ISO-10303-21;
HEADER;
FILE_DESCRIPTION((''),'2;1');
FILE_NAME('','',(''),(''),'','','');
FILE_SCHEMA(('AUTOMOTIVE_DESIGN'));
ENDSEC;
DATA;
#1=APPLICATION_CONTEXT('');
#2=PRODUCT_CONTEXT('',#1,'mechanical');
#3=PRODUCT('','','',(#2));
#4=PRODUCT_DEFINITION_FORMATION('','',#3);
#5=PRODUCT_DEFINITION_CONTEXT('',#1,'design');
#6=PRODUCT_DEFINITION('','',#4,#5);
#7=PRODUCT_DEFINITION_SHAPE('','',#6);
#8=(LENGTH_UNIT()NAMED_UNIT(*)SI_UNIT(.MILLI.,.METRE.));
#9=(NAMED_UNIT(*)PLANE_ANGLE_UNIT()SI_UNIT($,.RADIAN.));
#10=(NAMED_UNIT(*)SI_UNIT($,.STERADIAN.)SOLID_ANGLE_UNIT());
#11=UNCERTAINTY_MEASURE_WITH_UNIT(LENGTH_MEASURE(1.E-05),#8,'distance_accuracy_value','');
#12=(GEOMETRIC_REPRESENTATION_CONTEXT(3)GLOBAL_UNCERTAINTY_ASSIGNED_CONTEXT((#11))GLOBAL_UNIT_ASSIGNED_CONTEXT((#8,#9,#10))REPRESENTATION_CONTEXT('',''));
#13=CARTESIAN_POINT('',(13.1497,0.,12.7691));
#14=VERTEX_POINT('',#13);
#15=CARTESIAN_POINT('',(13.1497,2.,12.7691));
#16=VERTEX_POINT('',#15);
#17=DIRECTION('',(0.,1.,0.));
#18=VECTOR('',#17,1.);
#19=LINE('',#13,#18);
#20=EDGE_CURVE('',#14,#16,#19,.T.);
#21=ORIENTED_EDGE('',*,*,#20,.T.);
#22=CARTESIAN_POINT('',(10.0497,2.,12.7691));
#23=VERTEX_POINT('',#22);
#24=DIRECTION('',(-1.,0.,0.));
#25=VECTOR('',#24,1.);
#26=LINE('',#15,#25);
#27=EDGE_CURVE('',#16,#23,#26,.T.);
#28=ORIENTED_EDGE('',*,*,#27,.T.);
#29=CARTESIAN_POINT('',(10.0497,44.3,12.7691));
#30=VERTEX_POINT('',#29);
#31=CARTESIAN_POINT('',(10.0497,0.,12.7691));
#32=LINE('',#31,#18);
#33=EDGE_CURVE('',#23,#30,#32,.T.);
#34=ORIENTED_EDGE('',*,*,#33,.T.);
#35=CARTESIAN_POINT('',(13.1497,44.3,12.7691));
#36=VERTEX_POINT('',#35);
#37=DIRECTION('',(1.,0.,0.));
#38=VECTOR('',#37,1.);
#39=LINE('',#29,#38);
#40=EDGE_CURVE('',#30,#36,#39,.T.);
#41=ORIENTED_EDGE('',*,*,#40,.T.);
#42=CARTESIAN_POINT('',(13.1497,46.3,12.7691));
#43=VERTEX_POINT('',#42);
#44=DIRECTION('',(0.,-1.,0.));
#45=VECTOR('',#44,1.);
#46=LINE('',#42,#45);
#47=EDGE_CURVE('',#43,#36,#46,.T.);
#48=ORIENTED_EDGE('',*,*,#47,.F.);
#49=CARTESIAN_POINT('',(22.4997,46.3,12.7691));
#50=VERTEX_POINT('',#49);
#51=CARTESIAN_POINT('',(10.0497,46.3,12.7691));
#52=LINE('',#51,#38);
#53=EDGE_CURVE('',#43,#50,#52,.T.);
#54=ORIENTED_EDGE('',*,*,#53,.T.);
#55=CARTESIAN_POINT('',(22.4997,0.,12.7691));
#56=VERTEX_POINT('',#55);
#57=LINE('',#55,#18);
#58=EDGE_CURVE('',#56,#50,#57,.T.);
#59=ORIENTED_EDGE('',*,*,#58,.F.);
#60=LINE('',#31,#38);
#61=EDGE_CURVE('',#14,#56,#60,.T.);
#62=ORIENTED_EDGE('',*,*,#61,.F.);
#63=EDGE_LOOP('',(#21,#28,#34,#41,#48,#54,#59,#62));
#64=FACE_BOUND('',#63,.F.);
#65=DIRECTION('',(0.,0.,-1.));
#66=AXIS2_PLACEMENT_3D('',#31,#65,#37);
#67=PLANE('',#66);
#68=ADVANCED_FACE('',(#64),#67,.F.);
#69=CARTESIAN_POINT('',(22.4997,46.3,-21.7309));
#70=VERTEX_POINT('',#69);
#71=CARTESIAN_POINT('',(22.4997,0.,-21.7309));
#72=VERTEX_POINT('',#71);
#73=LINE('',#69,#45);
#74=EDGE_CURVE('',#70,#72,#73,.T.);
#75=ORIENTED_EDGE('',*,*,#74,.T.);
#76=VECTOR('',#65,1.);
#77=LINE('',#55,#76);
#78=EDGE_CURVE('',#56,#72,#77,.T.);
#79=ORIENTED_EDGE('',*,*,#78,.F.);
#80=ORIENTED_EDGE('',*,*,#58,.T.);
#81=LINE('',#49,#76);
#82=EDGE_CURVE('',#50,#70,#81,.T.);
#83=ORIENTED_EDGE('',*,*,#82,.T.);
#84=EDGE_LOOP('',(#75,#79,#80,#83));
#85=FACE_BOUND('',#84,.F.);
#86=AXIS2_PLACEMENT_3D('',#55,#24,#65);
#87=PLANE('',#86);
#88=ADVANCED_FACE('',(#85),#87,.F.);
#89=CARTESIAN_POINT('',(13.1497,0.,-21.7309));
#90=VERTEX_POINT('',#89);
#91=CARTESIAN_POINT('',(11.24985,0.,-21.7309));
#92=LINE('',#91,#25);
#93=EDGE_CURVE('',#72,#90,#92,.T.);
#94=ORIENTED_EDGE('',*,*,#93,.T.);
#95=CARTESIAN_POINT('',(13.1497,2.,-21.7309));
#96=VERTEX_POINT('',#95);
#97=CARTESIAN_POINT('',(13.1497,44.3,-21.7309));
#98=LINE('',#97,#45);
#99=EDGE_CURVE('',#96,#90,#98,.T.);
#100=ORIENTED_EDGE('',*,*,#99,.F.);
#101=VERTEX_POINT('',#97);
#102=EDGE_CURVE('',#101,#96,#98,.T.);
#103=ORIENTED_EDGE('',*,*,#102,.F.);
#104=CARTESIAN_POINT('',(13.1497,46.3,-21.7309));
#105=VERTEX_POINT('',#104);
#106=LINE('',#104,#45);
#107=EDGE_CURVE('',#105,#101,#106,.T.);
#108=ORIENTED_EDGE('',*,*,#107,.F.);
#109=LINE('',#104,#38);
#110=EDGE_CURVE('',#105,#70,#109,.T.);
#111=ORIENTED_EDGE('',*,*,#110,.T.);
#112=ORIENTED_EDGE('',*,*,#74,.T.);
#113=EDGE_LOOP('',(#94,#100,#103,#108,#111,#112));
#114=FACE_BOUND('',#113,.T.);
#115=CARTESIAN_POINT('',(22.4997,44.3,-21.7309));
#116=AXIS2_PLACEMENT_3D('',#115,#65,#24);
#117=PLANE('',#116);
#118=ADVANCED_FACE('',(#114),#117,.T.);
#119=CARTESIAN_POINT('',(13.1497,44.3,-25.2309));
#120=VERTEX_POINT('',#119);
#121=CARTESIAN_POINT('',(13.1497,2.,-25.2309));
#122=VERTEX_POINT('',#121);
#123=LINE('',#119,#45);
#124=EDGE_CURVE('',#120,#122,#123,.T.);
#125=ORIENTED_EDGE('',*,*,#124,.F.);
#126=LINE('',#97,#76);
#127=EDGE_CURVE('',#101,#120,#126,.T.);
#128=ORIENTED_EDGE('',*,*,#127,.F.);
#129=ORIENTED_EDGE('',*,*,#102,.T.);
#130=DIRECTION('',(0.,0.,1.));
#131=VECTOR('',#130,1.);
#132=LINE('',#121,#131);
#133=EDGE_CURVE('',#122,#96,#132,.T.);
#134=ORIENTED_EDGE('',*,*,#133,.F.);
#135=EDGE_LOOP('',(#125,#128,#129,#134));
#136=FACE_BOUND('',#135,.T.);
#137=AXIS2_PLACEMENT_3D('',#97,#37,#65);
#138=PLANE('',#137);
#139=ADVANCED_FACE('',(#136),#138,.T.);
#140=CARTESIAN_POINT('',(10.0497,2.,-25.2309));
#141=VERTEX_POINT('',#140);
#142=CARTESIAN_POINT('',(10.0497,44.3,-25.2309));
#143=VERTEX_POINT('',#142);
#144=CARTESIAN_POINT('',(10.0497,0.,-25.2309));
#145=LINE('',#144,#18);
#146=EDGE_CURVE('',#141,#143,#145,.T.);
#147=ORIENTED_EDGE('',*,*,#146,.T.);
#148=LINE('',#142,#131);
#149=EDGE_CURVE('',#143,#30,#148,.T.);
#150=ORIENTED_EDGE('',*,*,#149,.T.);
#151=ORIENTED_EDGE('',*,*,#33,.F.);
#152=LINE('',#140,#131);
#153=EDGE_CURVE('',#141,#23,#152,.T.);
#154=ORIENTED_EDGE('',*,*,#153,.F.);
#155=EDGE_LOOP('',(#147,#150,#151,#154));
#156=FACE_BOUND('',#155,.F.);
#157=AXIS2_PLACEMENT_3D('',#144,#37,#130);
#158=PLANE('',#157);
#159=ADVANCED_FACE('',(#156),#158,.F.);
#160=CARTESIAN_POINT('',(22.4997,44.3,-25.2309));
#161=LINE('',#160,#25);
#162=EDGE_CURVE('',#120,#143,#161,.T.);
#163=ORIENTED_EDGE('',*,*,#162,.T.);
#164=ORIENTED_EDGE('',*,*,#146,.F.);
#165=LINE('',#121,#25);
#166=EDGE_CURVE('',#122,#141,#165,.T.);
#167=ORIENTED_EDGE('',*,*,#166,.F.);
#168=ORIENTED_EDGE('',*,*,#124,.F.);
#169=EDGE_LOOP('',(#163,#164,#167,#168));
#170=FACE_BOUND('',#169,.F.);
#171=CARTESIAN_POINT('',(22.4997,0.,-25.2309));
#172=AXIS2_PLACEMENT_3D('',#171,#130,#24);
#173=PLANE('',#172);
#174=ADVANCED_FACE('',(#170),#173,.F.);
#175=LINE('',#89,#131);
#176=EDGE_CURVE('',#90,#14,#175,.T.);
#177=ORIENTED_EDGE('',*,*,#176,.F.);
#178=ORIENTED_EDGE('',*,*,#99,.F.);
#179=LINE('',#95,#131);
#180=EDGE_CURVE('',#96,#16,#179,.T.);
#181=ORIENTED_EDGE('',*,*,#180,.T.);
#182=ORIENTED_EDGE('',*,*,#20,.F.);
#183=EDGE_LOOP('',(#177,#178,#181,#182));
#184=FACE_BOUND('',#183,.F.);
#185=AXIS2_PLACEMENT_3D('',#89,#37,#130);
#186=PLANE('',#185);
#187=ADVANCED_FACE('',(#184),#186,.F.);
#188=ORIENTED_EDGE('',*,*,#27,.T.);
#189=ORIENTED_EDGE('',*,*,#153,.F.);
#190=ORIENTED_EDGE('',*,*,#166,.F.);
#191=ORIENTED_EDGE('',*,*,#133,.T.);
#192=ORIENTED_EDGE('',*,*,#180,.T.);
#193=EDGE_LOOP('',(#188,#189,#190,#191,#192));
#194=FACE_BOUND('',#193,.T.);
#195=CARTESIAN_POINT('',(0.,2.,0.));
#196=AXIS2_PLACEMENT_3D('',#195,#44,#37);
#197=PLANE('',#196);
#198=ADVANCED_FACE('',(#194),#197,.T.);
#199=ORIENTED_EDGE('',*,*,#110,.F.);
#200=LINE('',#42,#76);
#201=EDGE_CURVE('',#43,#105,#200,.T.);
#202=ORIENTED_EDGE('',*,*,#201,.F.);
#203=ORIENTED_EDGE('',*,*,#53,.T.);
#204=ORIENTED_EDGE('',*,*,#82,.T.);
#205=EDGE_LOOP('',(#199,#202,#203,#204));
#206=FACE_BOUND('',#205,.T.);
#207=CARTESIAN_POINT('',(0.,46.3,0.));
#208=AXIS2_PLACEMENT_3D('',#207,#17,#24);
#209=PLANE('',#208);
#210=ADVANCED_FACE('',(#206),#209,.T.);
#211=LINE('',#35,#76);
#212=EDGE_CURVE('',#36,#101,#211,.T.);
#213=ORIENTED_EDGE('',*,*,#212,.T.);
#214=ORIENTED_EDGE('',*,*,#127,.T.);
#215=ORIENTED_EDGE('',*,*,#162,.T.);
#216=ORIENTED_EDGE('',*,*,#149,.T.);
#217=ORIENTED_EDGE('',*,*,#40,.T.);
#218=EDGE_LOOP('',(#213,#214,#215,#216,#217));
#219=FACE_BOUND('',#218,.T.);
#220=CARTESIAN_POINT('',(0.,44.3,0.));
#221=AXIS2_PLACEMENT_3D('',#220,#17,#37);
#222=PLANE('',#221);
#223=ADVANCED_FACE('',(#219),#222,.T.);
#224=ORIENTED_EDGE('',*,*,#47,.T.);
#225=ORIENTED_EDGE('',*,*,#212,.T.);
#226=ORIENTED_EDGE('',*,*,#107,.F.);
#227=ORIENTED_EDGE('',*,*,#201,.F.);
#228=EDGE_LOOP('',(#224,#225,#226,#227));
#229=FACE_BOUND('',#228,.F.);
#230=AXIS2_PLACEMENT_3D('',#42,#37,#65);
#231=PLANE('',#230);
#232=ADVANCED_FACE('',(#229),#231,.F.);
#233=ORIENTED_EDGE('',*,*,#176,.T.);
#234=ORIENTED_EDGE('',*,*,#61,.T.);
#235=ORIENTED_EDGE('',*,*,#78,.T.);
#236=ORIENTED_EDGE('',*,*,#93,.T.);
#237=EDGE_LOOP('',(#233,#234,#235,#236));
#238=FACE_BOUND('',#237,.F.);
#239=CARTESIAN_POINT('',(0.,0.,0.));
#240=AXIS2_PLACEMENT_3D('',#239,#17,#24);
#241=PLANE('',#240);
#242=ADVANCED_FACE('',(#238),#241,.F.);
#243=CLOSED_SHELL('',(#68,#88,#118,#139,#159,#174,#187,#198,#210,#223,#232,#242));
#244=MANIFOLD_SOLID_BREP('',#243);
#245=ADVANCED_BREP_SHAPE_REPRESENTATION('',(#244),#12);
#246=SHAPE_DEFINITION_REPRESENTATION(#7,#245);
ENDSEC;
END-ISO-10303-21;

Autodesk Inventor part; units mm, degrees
ref_plane "YZ Plane" through (0, 0, 0) normal (1, 0, 0) x (0, 1, 0)
ref_plane "XZ Plane" through (0, 0, 0) normal (0, 1, 0) x (-1, 0, 0)
ref_plane "XY Plane" through (0, 0, 0) normal (0, 0, 1) x (1, 0, 0)
sketch "Sketch1" plane through (0, 0, 0) normal (0, 1, 0) x (-1, 0, 0)
  line L0 (-10.0497, 12.7691) -> (-22.4997, 12.7691)
  line L1 (-22.4997, 12.7691) -> (-22.4997, -25.2309)
  line L2 (-22.4997, -25.2309) -> (-10.0497, -25.2309)
  line L3 (-10.0497, -25.2309) -> (-10.0497, 12.7691)
  dimension "d0" = 12.45
  dimension "d1" = 38
extrude "Extrusion1" add sketch "Sketch1" along normal blind 46.3
sketch "Sketch2" plane through (0, 46.3, 0) normal (0, 1, 0) x (1, 0, 0)
  line L0 (13.1497, -12.7691) -> (13.1497, 21.7309)
  line L1 (13.1497, 21.7309) -> (22.4997, 21.7309)
  line L2 (22.4997, 21.7309) -> (22.4997, 25.2309)
  line L3 (22.4997, 25.2309) -> (10.0497, 25.2309) projected
  line L4 (10.0497, 25.2309) -> (10.0497, -12.7691) projected
  line L5 (10.0497, 25.2309) -> (10.0497, -12.7691)
  line L6 (10.0497, -12.7691) -> (13.1497, -12.7691)
  line L7 (13.1497, 21.7309) -> (22.4997, 21.7309)
  point P0 (0, 0)
  point P1 (22.4997, -12.7691)
  point P2 (17.8247, -12.7691)
  point P3 (17.8247, 21.7309)
extrude "Extrusion2" cut sketch "Sketch2" against normal blind 2
sketch "Sketch3" plane through (0, 44.3, 0) normal (0, 1, 0) x (1, 0, 0)
  line L0 (22.4997, -12.7691) -> (22.4997, 25.2309) projected
  line L1 (13.1497, 21.7309) -> (13.1497, -12.7691) projected
  line L2 (22.4997, 21.7309) -> (13.1497, 21.7309)
  line L3 (13.1497, 21.7309) -> (13.1497, 25.2309)
  line L4 (22.4997, 25.2309) -> (10.0497, 25.2309) projected
  line L5 (22.4997, 25.2309) -> (22.4997, 21.7309)
  point P0 (0, 0)
extrude "Extrusion3" cut sketch "Sketch3" against normal blind 44.8625
sketch "Sketch5" plane through (0, 0, 0) normal (0, -1, 0) x (1, 0, 0)
  line L0 (10.0497, -25.2309) -> (10.0497, 12.7691) projected
  line L1 (13.1497, -25.2309) -> (10.0497, -25.2309) projected
  line L2 (10.0497, -25.2309) -> (13.1497, -25.2309)
  line L3 (13.1497, -21.7309) -> (13.1497, 12.7691) projected
  line L4 (13.1497, -25.2309) -> (13.1497, 12.7691)
  line L5 (13.1497, 12.7691) -> (10.0497, 12.7691)
  line L6 (10.0497, 12.7691) -> (10.0497, -25.2309)
  point P0 (0, 0)
extrude "Extrusion4" cut sketch "Sketch5" against normal blind 2
properties part number "MiniBB_SD_PD"
